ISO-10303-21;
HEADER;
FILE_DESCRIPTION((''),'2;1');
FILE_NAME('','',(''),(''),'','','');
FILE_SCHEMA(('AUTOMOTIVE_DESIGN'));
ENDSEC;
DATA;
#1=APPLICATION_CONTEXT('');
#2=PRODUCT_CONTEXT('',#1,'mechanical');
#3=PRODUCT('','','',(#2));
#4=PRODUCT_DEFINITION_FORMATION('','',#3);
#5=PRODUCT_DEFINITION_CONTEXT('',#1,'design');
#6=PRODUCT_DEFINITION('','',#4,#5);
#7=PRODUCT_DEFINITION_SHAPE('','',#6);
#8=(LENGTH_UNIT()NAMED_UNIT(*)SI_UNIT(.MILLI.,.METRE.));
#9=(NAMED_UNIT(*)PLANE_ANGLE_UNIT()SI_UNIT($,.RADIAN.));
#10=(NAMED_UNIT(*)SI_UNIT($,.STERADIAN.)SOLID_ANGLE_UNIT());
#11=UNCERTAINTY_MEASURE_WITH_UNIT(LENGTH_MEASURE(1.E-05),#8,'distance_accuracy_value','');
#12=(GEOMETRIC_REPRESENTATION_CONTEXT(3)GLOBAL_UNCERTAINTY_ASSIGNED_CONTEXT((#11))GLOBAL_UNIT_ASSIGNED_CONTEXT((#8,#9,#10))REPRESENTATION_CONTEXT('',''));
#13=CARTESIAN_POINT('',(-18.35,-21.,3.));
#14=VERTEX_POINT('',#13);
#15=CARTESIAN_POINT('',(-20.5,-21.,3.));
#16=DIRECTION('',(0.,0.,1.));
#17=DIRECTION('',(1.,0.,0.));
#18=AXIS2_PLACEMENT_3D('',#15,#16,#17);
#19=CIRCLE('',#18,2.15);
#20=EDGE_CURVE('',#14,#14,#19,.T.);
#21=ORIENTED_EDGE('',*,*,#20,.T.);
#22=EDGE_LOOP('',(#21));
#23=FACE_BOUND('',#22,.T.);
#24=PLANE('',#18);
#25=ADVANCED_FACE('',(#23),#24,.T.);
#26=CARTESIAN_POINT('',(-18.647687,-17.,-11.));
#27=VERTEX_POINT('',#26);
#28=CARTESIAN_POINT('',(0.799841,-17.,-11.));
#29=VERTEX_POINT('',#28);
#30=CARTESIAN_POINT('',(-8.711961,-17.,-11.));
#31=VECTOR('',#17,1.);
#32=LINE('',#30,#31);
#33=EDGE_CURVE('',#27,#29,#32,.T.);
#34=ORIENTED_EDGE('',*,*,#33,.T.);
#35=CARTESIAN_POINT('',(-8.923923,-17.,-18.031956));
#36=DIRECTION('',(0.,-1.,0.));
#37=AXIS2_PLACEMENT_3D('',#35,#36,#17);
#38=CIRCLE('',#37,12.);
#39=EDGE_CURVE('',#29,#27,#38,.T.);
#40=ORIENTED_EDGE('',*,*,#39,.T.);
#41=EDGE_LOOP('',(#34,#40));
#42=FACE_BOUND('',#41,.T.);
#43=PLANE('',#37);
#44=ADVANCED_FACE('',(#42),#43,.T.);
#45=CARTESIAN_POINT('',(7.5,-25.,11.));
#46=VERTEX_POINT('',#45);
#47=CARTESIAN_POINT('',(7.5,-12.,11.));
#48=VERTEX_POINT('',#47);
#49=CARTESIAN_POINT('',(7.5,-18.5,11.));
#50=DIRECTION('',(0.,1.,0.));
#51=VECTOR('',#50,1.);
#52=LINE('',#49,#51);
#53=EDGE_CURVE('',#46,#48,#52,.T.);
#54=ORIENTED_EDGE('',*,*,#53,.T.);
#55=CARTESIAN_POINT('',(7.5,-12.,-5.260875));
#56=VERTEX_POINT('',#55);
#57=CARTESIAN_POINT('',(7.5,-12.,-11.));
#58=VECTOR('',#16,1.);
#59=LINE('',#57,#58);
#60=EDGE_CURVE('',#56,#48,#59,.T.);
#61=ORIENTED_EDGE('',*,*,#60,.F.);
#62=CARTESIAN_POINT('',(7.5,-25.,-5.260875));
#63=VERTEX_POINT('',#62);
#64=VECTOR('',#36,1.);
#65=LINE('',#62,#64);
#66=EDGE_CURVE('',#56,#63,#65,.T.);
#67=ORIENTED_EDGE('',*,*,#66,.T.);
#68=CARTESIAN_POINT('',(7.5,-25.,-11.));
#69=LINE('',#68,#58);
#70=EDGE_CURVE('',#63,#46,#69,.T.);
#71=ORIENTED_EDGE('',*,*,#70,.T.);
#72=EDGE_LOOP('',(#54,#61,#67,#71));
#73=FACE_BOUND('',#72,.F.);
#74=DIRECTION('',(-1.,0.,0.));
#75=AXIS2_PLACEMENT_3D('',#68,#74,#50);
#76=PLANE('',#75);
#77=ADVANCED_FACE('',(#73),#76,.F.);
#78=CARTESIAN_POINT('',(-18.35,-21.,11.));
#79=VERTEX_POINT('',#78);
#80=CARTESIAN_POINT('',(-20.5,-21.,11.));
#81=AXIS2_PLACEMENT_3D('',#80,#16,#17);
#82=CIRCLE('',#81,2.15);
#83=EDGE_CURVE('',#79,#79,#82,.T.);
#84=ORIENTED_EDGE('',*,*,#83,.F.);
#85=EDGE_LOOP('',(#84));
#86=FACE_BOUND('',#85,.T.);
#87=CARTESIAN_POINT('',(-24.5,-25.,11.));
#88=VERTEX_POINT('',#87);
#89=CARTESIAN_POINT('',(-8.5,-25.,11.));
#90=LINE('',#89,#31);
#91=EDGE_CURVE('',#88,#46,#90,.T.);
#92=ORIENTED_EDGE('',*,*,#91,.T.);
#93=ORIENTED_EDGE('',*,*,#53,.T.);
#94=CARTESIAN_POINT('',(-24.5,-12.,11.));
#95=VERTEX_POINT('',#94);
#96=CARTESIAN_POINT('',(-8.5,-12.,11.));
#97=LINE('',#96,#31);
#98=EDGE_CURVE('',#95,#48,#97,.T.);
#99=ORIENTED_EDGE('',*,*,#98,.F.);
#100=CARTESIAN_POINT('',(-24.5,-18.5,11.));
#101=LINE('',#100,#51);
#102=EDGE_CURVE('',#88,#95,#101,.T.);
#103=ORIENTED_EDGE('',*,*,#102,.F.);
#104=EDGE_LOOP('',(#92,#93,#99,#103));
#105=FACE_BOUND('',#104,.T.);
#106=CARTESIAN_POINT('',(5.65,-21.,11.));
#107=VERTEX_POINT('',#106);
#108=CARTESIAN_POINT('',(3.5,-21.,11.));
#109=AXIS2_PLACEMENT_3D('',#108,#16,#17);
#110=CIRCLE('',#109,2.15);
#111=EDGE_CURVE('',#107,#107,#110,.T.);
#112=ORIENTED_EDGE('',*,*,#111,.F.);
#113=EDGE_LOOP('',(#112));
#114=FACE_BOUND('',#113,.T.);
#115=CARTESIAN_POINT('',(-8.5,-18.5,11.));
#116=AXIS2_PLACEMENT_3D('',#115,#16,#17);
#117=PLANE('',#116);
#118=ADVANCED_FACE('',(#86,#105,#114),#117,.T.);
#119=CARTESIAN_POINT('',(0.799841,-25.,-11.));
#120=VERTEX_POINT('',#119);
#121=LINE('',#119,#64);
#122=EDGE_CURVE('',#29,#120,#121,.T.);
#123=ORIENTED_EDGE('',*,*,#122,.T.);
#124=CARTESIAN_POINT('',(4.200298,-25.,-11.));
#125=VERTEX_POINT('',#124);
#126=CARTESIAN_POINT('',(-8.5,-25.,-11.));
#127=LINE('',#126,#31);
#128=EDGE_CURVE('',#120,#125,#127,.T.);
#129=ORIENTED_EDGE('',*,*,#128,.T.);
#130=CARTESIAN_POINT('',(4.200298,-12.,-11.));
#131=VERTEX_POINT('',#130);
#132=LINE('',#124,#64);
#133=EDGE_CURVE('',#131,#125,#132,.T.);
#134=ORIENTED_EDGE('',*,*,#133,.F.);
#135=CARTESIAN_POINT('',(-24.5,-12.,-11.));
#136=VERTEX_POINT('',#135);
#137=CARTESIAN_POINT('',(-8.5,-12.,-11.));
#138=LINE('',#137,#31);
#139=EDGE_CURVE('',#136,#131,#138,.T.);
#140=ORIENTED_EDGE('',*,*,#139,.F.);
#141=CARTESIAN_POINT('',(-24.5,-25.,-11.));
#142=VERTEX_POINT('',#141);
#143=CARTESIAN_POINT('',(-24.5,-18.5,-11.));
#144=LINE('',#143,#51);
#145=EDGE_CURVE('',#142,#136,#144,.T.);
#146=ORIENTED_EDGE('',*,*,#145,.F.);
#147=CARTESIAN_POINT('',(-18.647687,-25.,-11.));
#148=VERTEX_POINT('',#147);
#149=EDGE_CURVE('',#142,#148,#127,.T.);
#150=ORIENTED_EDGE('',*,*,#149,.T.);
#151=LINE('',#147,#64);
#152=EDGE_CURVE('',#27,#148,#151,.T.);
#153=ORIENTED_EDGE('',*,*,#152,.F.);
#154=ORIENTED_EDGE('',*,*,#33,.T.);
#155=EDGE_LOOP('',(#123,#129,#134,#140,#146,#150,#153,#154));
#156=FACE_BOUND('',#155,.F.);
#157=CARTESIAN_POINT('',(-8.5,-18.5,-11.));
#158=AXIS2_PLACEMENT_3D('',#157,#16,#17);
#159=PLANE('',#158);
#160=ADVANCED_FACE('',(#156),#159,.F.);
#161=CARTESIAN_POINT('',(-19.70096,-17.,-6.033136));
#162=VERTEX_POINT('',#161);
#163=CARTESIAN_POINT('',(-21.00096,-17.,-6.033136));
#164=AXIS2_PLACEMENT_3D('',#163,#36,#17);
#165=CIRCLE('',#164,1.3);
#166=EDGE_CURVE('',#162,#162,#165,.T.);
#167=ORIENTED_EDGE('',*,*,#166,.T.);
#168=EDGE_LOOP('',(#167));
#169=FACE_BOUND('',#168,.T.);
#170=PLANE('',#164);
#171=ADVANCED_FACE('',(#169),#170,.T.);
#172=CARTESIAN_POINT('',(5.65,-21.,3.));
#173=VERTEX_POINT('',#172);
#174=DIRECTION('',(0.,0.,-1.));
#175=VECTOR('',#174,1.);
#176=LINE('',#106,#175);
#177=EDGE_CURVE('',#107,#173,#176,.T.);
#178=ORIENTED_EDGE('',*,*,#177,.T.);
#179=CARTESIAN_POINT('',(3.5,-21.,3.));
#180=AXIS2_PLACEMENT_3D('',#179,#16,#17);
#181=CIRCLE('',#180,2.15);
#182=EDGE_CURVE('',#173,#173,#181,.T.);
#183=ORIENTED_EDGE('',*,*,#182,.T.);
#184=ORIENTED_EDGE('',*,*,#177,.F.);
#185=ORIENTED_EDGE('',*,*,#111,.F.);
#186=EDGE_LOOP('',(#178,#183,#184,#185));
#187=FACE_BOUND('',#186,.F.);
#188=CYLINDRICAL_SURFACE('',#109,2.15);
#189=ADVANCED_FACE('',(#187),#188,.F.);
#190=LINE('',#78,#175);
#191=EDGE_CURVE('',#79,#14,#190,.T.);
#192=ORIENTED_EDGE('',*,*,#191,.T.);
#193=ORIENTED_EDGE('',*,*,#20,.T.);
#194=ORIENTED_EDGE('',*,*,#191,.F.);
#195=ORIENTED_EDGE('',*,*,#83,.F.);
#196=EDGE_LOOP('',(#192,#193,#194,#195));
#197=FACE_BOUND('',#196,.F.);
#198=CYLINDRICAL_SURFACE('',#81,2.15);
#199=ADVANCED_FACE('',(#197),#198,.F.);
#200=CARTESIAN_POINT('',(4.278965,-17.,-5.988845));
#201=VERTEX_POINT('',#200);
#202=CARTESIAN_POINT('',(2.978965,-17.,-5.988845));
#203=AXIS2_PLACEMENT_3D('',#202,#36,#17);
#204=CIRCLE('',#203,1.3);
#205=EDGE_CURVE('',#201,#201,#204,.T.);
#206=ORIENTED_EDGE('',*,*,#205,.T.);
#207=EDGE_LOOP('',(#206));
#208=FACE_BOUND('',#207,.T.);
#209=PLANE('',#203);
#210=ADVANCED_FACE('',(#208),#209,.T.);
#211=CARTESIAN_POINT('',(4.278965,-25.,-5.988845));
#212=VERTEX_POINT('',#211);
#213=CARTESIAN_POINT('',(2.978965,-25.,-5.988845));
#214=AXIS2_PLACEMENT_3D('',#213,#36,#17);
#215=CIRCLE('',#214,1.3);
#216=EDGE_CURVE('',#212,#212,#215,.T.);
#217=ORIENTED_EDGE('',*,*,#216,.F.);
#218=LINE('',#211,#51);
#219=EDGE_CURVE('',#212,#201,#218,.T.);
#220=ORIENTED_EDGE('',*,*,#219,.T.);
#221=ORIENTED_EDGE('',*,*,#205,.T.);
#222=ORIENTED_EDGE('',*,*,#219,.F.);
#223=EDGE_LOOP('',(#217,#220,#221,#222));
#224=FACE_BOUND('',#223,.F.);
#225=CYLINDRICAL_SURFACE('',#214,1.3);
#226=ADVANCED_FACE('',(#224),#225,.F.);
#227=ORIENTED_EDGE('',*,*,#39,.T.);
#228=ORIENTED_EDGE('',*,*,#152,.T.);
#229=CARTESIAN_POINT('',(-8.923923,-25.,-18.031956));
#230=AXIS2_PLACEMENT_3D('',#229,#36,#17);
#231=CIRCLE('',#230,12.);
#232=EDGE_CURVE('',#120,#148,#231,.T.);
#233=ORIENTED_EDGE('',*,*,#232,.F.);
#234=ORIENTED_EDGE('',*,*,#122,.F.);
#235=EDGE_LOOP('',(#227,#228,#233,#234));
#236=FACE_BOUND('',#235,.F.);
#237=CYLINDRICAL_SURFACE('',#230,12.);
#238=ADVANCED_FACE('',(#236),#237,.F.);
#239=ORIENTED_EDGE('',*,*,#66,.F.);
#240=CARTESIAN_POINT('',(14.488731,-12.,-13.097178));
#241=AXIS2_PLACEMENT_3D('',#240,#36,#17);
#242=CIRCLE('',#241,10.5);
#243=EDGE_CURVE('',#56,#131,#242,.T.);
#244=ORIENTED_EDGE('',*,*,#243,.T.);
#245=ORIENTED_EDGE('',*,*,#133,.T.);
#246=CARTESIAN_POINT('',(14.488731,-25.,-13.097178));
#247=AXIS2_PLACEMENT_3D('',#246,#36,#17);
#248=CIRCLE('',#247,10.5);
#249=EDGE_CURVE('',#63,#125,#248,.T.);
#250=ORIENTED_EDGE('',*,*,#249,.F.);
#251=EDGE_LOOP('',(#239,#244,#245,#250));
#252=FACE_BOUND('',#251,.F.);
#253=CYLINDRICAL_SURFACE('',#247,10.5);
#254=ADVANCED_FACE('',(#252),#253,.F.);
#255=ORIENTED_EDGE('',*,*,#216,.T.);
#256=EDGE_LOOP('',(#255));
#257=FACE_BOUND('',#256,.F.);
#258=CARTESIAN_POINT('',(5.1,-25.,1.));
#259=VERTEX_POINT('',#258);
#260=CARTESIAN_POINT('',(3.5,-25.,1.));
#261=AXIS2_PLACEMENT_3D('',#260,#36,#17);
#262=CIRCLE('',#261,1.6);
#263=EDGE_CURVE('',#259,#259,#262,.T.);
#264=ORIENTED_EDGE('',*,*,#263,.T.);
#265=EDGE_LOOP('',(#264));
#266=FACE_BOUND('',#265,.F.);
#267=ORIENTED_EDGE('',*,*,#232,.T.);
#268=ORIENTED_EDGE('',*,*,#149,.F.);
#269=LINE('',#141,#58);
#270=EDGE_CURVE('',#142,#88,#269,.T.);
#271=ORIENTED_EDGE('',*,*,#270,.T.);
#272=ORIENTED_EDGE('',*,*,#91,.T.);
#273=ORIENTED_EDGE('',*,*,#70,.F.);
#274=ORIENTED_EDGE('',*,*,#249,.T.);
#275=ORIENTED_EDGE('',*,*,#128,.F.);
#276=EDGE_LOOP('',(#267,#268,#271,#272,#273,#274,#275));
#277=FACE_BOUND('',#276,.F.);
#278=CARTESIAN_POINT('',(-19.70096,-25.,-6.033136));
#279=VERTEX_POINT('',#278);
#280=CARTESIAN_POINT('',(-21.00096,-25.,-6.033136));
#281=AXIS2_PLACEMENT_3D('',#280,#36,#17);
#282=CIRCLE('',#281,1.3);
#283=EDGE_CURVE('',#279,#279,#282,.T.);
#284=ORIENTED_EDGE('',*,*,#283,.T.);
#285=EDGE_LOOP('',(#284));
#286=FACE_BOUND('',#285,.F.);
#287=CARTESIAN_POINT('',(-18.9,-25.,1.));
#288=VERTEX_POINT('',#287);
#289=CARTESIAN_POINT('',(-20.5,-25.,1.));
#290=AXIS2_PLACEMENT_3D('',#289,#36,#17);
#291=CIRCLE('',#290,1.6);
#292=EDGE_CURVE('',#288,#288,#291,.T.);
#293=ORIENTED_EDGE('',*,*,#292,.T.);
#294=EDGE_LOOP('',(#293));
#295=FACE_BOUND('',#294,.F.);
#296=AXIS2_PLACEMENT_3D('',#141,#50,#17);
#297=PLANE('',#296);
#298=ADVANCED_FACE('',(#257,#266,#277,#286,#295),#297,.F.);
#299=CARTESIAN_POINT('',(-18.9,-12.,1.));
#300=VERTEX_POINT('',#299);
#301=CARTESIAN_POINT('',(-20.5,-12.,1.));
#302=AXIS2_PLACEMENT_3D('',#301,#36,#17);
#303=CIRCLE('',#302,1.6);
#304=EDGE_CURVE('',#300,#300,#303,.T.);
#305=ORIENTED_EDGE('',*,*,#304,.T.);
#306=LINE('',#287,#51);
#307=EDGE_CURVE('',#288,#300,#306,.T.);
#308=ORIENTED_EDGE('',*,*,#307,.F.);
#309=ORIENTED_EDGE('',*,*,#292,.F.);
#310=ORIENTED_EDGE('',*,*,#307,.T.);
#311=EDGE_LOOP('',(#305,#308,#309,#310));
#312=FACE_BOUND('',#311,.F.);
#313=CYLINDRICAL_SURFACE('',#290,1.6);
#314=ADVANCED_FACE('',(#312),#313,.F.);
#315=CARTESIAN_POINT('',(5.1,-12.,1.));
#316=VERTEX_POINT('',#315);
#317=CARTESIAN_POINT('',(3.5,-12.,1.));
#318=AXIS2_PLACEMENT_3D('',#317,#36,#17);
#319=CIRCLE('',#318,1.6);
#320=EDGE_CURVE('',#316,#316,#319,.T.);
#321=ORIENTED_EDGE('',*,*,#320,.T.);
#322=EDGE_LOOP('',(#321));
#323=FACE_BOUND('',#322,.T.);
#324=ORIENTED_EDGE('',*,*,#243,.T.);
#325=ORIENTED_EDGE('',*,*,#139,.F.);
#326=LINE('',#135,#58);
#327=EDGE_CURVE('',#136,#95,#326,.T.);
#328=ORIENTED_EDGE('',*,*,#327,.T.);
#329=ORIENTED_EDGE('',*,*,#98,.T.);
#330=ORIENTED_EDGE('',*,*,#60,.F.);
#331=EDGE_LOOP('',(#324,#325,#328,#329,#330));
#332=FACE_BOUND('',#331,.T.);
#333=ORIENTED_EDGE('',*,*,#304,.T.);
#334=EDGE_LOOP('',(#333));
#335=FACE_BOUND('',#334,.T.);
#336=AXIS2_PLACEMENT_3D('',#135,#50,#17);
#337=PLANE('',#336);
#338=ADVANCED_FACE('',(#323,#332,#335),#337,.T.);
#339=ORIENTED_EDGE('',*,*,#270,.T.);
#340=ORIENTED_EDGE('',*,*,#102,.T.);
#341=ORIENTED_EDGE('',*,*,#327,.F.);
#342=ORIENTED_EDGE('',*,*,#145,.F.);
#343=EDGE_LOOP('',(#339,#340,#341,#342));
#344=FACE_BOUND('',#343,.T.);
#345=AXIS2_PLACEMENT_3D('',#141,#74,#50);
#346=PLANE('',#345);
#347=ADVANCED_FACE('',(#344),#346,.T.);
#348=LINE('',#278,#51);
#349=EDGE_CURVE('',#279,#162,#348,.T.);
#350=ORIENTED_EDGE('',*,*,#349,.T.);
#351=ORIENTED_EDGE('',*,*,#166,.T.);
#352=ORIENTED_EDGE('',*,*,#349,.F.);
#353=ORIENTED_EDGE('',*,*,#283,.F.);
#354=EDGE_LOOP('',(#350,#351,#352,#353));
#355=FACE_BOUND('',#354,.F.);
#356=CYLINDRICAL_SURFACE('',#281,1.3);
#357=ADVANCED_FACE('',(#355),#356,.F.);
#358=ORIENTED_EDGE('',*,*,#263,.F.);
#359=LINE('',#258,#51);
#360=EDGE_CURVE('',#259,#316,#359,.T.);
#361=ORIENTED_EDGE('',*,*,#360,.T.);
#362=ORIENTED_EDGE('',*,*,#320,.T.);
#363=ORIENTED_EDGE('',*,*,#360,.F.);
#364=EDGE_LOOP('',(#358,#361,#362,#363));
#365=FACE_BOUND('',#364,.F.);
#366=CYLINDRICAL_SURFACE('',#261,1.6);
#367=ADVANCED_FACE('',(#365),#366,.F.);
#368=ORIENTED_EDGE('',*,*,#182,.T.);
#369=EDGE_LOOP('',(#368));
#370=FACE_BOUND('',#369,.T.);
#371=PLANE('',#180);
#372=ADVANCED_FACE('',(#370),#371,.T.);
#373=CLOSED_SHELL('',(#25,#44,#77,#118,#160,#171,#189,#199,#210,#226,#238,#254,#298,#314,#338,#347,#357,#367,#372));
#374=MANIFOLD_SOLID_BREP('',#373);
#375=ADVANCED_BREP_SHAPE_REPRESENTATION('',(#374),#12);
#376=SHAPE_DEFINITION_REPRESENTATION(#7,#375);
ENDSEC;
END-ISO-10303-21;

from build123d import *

# Parameters (mm, degrees)
BOX009_W           = 32
BOX009_H           = 13
BOX009_DEPTH       = 22
SKETCH066_R        = 12
SKETCH066_R_2      = 1.3
POCKET042006_DEPTH = 8
SKETCH067_R        = 2.15
POCKET042007_DEPTH = 8
SKETCH068_R        = 1.6
POCKET042008_DEPTH = 13.001
SKETCH069_R        = 10.5
POCKET042009_DEPTH = 13.001


with BuildPart() as part:
    # Box009 → Box009 (new body)
    with BuildSketch(Plane(origin=(-24.5, -25, -11), x_dir=(1, 0, 0), z_dir=(0, 0, 1))):
        with Locations((16, 6.5)):
            Rectangle(BOX009_W, BOX009_H)
    extrude(amount=BOX009_DEPTH)

    # Sketch066 (on Face3 of Box009) → Pocket042006 (cut)
    with BuildSketch(Plane(origin=(-24.5, -25, -11), x_dir=(1, 0, 0), z_dir=(0, -1, 0))):
        with Locations((15.576077, -7.031956)):
            Circle(SKETCH066_R)
        with Locations((3.49904, 4.966864)):
            Circle(SKETCH066_R_2)
        with Locations((27.478965, 5.011155)):
            Circle(SKETCH066_R_2)
    extrude(amount=-POCKET042006_DEPTH, mode=Mode.SUBTRACT)

    # Sketch067 (on Face3 of Pocket042006) → Pocket042007 (cut)
    with BuildSketch(Plane(origin=(-24.5, -25, 11), x_dir=(1, 0, 0), z_dir=(0, 0, 1))):
        with Locations((4, 4)):
            Circle(SKETCH067_R)
        with Locations((28, 4)):
            Circle(SKETCH067_R)
    extrude(amount=-POCKET042007_DEPTH, mode=Mode.SUBTRACT)

    # Sketch068 (on Face2 of Pocket042007) → Pocket042008 (cut, through all)
    with BuildSketch(Plane(origin=(-24.5, -25, -11), x_dir=(1, 0, 0), z_dir=(0, -1, 0))):
        with Locations((4, 12)):
            Circle(SKETCH068_R)
        with Locations((28, 12)):
            Circle(SKETCH068_R)
    extrude(amount=-POCKET042008_DEPTH, mode=Mode.SUBTRACT)

    # Sketch069 (on Face2 of Pocket042008) → Pocket042009 (cut, through all)
    with BuildSketch(Plane(origin=(-24.5, -25, -11), x_dir=(1, 0, 0), z_dir=(0, -1, 0))):
        with Locations((38.988731, -2.097178)):
            Circle(SKETCH069_R)
    extrude(amount=-POCKET042009_DEPTH, mode=Mode.SUBTRACT)


solid = part.part
